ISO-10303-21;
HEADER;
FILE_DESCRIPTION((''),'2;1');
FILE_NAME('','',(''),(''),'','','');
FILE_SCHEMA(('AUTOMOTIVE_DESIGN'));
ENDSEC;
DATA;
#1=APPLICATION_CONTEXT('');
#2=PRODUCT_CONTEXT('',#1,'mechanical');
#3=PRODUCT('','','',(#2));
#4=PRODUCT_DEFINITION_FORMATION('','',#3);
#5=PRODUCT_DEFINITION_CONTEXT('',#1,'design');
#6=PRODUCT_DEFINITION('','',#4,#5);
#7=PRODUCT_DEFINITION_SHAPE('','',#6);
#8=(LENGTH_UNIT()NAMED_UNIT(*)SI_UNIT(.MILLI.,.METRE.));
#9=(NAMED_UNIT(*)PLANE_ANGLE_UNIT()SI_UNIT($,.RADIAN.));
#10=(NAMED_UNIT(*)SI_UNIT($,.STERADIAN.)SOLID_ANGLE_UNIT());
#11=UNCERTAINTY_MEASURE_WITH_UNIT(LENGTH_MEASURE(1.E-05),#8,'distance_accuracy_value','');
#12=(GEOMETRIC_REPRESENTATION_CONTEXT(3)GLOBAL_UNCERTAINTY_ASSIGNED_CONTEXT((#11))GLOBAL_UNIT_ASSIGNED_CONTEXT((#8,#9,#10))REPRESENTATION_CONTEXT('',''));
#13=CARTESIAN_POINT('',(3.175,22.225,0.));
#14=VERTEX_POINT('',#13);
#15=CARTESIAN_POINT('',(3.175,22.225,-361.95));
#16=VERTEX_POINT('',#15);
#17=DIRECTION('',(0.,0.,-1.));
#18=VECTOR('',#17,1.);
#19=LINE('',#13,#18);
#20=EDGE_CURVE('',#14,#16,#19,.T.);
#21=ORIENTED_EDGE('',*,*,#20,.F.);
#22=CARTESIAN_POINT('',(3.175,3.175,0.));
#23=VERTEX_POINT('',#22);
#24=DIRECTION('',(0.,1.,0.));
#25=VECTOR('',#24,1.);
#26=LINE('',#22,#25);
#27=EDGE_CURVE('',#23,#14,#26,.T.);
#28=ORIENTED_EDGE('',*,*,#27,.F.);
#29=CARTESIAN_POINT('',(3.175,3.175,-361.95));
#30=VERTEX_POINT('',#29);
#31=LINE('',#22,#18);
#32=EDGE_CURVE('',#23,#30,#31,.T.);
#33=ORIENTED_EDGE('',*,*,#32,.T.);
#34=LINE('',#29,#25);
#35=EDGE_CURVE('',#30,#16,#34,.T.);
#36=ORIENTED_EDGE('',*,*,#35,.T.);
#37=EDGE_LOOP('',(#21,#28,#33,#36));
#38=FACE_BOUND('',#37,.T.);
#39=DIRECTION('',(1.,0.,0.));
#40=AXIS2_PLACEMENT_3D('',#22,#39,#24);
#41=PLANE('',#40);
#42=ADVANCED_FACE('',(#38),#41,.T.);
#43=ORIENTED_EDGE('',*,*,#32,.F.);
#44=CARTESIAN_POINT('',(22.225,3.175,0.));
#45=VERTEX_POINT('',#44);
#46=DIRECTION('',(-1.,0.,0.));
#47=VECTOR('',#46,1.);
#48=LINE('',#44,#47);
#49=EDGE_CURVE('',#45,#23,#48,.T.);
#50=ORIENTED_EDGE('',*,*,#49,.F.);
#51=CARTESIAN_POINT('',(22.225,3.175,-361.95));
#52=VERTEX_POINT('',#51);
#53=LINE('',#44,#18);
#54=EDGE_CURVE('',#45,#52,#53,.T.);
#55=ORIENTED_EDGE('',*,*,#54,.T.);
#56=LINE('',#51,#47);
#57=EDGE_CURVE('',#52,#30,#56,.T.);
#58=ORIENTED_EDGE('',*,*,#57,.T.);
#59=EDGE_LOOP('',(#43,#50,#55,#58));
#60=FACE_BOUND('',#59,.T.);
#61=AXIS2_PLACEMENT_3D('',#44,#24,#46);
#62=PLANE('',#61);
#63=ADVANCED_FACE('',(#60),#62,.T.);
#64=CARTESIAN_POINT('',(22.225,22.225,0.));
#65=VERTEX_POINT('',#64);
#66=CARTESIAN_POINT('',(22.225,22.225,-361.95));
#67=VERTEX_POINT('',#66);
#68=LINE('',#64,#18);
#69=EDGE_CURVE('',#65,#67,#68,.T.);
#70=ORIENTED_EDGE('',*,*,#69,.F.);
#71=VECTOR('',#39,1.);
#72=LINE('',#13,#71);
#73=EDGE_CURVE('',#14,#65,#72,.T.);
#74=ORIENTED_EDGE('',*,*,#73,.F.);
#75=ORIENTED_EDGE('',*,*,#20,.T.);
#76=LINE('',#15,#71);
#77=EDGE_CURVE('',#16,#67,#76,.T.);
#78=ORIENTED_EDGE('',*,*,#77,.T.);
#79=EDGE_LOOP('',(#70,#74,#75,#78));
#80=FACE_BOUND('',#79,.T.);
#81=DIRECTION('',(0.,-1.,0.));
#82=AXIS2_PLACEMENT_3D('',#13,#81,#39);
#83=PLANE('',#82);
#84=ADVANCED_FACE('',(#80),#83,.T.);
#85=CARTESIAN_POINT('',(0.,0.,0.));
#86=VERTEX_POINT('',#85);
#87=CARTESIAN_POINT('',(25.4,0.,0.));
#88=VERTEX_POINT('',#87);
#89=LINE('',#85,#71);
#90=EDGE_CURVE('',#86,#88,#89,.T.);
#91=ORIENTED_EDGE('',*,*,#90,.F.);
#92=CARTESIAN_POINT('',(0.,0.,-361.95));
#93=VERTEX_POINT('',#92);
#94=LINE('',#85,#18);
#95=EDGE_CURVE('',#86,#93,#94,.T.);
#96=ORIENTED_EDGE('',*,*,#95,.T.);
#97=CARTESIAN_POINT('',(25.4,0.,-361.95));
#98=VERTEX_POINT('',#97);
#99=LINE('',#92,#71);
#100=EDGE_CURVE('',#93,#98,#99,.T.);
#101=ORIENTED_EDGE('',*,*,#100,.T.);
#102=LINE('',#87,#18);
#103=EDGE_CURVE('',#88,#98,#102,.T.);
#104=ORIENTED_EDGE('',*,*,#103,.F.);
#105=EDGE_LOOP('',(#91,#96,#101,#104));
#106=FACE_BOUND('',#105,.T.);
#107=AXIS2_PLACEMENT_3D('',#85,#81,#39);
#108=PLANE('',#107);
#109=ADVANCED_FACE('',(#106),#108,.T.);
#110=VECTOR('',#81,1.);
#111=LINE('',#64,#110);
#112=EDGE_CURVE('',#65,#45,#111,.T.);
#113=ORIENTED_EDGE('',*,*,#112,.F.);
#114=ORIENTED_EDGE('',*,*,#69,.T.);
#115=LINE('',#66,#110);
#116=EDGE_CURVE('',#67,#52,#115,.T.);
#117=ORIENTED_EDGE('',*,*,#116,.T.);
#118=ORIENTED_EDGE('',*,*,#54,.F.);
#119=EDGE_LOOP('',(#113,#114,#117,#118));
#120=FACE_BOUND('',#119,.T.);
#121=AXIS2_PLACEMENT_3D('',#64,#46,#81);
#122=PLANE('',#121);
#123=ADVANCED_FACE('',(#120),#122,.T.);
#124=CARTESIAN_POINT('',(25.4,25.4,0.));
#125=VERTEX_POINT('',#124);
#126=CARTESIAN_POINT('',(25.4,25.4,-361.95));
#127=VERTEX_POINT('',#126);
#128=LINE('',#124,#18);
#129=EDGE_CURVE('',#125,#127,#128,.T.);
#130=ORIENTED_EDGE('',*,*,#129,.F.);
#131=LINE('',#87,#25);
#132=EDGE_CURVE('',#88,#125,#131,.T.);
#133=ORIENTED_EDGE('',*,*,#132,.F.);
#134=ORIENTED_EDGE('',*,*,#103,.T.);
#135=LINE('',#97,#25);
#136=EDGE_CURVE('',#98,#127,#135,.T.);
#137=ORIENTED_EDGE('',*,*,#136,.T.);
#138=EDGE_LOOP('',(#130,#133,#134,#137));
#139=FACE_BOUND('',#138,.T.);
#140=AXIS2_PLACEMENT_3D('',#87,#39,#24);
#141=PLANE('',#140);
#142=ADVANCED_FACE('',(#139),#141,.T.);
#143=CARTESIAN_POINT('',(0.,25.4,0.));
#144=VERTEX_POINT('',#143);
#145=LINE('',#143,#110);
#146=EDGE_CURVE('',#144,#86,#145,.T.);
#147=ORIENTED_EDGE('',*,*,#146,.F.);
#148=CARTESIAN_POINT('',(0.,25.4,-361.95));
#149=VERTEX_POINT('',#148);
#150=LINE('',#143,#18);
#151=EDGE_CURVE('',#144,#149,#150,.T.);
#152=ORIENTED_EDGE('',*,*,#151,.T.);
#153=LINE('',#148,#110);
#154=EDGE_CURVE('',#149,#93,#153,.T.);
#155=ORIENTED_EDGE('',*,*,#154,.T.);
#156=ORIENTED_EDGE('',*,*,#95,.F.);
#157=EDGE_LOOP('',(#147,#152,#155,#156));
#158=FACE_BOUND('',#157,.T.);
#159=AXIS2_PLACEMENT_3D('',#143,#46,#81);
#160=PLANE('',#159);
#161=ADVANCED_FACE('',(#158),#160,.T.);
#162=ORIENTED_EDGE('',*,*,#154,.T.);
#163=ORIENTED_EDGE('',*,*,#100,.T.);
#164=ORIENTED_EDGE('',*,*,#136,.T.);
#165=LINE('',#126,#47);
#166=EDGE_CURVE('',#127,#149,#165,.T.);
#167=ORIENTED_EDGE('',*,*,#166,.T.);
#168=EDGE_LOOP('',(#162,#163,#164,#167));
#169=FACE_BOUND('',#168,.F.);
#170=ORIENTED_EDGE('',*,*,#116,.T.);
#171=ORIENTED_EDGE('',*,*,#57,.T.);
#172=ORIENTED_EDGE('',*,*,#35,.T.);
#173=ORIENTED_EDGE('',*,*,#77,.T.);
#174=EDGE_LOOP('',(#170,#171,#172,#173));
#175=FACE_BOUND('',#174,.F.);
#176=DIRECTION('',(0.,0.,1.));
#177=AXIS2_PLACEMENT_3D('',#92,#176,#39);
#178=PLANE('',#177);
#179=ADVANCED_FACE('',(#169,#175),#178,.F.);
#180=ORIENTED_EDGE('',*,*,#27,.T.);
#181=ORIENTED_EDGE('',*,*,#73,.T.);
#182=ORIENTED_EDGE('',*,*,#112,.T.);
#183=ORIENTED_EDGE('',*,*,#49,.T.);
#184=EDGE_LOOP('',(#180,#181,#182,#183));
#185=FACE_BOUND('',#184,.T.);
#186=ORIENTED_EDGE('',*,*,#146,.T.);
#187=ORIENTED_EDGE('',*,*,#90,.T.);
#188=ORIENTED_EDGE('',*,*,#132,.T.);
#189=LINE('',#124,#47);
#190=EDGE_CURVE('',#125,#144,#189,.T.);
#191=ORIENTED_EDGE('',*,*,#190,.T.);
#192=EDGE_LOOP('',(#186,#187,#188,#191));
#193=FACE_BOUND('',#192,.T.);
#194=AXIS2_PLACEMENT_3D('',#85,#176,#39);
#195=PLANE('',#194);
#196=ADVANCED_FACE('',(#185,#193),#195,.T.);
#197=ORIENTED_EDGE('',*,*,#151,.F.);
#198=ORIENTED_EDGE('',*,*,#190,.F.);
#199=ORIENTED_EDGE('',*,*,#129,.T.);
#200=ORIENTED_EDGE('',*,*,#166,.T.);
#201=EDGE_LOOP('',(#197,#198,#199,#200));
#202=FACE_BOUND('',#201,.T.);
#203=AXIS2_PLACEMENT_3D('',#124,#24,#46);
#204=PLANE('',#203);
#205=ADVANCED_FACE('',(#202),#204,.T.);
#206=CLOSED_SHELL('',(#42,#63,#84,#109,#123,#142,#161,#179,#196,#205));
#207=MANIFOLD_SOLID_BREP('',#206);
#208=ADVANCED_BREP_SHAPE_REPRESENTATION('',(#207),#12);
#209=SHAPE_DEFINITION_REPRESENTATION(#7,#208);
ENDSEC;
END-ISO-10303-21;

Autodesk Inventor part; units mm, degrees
ref_plane "YZ Plane" through (0, 0, 0) normal (1, 0, 0) x (0, 1, 0)
ref_plane "XZ Plane" through (0, 0, 0) normal (0, 1, 0) x (-1, 0, 0)
ref_plane "XY Plane" through (0, 0, 0) normal (0, 0, 1) x (1, 0, 0)
sketch "Sketch1" plane through (0, 0, 0) normal (0, 0, 1) x (1, 0, 0)
  line L0 (0, 0) -> (25.4, 0)
  line L1 (25.4, 0) -> (25.4, 25.4)
  line L2 (25.4, 25.4) -> (0, 25.4)
  line L3 (0, 25.4) -> (0, 0)
  line L4 (3.175, 22.225) -> (22.225, 22.225)
  line L5 (22.225, 22.225) -> (22.225, 3.175)
  line L6 (22.225, 3.175) -> (3.175, 3.175)
  line L7 (3.175, 3.175) -> (3.175, 22.225)
  dimension "d0" = 25.4
  dimension "d1" = 25.4
  dimension "d2" = 3.175
extrude "Extrusion1" add sketch "Sketch1" against normal blind 361.95
properties part number "14.25inch tube"
